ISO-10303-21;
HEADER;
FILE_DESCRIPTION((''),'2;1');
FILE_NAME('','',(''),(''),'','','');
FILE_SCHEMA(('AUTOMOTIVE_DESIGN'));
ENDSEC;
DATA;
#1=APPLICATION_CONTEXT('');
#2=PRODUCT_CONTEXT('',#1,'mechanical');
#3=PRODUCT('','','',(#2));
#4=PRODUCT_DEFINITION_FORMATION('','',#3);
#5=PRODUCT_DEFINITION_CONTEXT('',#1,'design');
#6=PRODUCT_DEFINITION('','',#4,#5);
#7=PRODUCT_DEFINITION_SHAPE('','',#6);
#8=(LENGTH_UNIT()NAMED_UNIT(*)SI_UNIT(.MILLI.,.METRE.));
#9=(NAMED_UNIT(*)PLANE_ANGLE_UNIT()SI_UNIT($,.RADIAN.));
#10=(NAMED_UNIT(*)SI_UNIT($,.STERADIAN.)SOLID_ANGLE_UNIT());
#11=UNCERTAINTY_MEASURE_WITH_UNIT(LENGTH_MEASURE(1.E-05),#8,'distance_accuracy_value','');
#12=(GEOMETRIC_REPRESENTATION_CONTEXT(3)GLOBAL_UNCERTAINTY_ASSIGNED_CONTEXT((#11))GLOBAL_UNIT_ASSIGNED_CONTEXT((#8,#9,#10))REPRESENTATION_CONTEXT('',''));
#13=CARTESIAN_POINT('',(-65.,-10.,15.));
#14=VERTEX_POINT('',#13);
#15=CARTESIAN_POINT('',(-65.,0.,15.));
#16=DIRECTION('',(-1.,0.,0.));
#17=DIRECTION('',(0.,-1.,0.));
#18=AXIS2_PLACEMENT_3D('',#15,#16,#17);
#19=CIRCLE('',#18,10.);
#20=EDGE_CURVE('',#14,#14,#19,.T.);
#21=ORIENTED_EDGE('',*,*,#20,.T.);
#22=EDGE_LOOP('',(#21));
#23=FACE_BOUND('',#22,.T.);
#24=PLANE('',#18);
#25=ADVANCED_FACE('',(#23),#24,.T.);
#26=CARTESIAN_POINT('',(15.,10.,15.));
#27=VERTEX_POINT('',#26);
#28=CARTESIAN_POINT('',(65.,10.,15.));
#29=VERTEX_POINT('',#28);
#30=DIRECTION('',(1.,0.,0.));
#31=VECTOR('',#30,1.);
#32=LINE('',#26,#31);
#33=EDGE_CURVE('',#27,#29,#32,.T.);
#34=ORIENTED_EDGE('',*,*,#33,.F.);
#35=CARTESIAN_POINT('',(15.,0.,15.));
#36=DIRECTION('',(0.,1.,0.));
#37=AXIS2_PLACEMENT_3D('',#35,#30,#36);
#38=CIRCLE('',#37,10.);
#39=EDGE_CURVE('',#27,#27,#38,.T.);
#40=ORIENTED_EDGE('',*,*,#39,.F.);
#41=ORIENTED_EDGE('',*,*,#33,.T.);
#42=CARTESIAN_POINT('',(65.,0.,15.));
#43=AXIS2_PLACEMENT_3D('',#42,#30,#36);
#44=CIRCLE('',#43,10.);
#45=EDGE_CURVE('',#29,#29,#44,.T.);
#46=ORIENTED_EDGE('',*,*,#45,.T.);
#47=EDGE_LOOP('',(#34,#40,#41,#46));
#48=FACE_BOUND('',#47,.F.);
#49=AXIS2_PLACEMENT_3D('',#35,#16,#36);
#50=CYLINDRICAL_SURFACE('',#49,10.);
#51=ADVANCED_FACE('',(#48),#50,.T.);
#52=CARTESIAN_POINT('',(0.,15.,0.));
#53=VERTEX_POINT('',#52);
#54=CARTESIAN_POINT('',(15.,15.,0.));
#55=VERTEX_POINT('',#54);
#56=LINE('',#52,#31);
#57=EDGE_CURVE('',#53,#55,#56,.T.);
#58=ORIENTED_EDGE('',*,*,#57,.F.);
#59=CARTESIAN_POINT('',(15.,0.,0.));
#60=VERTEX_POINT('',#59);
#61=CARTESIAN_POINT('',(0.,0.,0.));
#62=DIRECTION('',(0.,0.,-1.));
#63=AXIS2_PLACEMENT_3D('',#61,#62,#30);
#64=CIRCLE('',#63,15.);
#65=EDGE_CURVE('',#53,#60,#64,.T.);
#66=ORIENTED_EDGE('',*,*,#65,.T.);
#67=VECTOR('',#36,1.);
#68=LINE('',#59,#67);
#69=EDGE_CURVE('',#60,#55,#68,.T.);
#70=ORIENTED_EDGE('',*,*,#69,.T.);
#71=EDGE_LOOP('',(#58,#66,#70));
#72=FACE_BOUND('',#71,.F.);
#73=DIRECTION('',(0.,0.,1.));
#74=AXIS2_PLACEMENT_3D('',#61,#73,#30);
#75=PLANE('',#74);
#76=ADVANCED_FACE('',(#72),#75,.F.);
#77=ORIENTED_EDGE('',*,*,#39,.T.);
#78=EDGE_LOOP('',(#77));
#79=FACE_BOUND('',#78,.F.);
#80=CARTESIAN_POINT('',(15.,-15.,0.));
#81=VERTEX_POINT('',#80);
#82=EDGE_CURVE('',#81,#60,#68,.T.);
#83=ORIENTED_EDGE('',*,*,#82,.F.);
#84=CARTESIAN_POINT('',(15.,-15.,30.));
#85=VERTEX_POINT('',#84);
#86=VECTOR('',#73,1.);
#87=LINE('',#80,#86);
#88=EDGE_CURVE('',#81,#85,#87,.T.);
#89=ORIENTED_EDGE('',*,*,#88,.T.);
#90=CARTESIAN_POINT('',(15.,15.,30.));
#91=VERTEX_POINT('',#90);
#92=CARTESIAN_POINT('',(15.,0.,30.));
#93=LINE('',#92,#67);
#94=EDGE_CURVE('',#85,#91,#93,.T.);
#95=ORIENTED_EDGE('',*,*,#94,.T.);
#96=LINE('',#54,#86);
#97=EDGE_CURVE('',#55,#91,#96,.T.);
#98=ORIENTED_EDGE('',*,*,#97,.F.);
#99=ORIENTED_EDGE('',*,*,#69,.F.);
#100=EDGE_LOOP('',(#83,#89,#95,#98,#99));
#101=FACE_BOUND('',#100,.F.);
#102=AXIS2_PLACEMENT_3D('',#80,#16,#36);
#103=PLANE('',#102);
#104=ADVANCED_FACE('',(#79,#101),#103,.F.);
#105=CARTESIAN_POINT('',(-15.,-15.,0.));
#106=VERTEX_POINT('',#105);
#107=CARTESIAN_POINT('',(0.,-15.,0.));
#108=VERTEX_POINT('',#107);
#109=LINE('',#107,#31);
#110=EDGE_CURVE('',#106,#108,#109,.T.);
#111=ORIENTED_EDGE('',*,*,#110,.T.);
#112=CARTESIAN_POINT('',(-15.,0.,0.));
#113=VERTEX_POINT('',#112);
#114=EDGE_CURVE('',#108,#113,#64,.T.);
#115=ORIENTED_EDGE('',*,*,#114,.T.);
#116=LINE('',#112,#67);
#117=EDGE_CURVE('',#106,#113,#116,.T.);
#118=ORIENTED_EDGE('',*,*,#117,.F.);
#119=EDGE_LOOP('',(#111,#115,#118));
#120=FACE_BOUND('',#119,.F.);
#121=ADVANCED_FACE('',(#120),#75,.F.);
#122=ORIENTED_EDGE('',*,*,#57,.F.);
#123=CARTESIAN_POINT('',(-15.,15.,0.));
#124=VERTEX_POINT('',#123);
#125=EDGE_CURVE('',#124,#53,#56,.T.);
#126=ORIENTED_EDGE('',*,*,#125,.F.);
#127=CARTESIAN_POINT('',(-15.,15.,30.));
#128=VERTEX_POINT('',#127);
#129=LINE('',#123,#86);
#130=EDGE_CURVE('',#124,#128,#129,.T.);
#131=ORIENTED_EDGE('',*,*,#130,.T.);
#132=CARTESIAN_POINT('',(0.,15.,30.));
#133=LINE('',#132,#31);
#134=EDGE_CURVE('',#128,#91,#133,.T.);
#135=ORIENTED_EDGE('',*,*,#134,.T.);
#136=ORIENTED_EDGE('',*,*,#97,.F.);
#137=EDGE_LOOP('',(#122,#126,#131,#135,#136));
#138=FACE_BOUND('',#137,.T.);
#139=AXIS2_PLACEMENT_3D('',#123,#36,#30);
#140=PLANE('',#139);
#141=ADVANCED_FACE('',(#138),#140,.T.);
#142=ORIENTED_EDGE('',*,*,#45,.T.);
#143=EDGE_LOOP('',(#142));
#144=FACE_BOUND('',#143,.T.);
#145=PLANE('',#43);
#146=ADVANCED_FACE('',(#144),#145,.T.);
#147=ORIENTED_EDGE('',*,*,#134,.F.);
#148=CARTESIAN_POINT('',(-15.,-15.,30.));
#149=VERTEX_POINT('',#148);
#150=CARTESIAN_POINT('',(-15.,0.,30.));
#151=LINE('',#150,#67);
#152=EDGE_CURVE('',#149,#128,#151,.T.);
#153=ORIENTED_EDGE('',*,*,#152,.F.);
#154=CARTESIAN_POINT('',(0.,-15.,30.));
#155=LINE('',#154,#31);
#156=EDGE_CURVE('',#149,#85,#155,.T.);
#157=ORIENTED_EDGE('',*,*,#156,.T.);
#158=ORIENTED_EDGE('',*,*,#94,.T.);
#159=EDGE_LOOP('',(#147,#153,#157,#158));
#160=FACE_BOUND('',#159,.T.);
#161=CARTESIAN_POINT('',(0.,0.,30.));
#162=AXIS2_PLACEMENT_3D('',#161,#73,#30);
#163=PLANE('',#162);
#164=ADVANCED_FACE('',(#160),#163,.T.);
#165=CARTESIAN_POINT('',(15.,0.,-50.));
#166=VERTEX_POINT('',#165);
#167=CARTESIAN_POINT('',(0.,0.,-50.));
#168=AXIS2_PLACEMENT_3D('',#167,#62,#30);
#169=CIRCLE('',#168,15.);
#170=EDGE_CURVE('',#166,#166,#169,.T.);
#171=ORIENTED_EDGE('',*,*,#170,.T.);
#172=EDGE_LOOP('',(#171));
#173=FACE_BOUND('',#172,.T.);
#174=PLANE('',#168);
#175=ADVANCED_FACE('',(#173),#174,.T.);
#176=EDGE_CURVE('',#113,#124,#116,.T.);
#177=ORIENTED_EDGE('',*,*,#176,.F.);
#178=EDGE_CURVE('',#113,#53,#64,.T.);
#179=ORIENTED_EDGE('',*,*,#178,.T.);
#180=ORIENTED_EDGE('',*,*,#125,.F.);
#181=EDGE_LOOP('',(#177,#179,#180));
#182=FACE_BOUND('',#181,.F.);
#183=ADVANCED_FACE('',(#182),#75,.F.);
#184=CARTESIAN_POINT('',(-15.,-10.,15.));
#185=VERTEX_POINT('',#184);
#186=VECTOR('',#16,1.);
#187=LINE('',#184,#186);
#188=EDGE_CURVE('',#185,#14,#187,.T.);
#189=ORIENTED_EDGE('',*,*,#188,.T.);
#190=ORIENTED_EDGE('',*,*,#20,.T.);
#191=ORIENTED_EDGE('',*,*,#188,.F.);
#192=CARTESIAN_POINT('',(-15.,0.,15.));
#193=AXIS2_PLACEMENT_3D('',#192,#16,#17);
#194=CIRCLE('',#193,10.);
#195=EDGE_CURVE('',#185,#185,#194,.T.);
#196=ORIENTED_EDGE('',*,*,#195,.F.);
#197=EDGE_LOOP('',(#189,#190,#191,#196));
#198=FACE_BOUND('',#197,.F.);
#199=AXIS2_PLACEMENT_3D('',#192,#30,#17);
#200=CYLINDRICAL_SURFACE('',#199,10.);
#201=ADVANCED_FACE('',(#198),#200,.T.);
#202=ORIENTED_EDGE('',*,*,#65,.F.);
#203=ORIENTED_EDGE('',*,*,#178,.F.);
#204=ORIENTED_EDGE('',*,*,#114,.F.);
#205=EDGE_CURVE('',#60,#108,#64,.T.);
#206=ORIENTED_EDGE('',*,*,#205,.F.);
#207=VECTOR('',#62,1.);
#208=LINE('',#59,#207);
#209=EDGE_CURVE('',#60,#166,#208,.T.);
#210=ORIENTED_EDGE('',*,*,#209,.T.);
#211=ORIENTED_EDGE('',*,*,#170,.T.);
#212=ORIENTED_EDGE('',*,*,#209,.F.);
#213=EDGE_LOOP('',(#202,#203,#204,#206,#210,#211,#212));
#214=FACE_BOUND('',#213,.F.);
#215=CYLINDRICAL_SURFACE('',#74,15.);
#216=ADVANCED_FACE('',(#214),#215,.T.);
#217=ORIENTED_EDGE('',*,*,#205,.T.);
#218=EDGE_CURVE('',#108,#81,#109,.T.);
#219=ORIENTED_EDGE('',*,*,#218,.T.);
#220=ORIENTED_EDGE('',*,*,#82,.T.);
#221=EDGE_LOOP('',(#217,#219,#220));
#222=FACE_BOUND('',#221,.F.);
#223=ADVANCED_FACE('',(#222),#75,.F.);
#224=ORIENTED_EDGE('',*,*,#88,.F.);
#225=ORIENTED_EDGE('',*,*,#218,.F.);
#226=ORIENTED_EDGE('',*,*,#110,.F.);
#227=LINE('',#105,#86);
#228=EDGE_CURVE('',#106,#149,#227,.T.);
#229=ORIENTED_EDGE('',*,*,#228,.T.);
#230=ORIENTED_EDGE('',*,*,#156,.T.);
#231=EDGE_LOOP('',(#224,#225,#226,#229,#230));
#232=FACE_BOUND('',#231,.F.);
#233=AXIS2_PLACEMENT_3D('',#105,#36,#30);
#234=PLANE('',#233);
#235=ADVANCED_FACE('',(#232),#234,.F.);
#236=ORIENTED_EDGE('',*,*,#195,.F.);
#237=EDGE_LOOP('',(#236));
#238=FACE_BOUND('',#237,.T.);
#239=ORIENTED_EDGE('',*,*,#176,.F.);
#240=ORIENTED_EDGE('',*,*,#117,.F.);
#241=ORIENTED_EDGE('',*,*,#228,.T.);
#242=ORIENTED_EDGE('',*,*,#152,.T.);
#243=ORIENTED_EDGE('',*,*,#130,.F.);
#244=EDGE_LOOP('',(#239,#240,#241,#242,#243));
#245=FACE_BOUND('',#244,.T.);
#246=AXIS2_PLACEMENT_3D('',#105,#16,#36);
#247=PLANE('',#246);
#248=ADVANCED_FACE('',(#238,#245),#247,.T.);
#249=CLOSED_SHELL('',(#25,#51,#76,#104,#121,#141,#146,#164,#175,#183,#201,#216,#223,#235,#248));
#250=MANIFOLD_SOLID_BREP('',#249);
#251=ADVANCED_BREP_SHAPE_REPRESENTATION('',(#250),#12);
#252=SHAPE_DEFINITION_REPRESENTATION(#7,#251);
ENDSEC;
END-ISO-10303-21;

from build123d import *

# Parameters (mm, degrees)
F0_W     = 30
F0_H     = 30
F1_DEPTH = 30
F2_R     = 15
F3_DEPTH = 50
F4_R     = 10
F5_DEPTH = 50
F6_R     = 10
F7_DEPTH = 50


with BuildPart() as f1:
    # F0 (on Top) → F1 (new body)
    with BuildSketch(Plane.XY):
        Rectangle(F0_W, F0_H)
    extrude(amount=F1_DEPTH)

    # F2 (on face) → F3 (join)
    with BuildSketch(Plane(origin=(0, 0, 0), x_dir=(1, 0, 0), z_dir=(0, 0, -1))):
        Circle(F2_R)
    extrude(amount=F3_DEPTH)

    # F4 (on face) → F5 (join)
    with BuildSketch(Plane.YZ.offset(15)):
        with Locations((0, 15)):
            Circle(F4_R)
    extrude(amount=F5_DEPTH)

    # F6 (on face) → F7 (join)
    with BuildSketch(Plane(origin=(-15, 0, 0), x_dir=(0, -1, 0), z_dir=(-1, 0, 0))):
        with Locations((0, 15)):
            Circle(F6_R)
    extrude(amount=F7_DEPTH)


solid = f1.part
